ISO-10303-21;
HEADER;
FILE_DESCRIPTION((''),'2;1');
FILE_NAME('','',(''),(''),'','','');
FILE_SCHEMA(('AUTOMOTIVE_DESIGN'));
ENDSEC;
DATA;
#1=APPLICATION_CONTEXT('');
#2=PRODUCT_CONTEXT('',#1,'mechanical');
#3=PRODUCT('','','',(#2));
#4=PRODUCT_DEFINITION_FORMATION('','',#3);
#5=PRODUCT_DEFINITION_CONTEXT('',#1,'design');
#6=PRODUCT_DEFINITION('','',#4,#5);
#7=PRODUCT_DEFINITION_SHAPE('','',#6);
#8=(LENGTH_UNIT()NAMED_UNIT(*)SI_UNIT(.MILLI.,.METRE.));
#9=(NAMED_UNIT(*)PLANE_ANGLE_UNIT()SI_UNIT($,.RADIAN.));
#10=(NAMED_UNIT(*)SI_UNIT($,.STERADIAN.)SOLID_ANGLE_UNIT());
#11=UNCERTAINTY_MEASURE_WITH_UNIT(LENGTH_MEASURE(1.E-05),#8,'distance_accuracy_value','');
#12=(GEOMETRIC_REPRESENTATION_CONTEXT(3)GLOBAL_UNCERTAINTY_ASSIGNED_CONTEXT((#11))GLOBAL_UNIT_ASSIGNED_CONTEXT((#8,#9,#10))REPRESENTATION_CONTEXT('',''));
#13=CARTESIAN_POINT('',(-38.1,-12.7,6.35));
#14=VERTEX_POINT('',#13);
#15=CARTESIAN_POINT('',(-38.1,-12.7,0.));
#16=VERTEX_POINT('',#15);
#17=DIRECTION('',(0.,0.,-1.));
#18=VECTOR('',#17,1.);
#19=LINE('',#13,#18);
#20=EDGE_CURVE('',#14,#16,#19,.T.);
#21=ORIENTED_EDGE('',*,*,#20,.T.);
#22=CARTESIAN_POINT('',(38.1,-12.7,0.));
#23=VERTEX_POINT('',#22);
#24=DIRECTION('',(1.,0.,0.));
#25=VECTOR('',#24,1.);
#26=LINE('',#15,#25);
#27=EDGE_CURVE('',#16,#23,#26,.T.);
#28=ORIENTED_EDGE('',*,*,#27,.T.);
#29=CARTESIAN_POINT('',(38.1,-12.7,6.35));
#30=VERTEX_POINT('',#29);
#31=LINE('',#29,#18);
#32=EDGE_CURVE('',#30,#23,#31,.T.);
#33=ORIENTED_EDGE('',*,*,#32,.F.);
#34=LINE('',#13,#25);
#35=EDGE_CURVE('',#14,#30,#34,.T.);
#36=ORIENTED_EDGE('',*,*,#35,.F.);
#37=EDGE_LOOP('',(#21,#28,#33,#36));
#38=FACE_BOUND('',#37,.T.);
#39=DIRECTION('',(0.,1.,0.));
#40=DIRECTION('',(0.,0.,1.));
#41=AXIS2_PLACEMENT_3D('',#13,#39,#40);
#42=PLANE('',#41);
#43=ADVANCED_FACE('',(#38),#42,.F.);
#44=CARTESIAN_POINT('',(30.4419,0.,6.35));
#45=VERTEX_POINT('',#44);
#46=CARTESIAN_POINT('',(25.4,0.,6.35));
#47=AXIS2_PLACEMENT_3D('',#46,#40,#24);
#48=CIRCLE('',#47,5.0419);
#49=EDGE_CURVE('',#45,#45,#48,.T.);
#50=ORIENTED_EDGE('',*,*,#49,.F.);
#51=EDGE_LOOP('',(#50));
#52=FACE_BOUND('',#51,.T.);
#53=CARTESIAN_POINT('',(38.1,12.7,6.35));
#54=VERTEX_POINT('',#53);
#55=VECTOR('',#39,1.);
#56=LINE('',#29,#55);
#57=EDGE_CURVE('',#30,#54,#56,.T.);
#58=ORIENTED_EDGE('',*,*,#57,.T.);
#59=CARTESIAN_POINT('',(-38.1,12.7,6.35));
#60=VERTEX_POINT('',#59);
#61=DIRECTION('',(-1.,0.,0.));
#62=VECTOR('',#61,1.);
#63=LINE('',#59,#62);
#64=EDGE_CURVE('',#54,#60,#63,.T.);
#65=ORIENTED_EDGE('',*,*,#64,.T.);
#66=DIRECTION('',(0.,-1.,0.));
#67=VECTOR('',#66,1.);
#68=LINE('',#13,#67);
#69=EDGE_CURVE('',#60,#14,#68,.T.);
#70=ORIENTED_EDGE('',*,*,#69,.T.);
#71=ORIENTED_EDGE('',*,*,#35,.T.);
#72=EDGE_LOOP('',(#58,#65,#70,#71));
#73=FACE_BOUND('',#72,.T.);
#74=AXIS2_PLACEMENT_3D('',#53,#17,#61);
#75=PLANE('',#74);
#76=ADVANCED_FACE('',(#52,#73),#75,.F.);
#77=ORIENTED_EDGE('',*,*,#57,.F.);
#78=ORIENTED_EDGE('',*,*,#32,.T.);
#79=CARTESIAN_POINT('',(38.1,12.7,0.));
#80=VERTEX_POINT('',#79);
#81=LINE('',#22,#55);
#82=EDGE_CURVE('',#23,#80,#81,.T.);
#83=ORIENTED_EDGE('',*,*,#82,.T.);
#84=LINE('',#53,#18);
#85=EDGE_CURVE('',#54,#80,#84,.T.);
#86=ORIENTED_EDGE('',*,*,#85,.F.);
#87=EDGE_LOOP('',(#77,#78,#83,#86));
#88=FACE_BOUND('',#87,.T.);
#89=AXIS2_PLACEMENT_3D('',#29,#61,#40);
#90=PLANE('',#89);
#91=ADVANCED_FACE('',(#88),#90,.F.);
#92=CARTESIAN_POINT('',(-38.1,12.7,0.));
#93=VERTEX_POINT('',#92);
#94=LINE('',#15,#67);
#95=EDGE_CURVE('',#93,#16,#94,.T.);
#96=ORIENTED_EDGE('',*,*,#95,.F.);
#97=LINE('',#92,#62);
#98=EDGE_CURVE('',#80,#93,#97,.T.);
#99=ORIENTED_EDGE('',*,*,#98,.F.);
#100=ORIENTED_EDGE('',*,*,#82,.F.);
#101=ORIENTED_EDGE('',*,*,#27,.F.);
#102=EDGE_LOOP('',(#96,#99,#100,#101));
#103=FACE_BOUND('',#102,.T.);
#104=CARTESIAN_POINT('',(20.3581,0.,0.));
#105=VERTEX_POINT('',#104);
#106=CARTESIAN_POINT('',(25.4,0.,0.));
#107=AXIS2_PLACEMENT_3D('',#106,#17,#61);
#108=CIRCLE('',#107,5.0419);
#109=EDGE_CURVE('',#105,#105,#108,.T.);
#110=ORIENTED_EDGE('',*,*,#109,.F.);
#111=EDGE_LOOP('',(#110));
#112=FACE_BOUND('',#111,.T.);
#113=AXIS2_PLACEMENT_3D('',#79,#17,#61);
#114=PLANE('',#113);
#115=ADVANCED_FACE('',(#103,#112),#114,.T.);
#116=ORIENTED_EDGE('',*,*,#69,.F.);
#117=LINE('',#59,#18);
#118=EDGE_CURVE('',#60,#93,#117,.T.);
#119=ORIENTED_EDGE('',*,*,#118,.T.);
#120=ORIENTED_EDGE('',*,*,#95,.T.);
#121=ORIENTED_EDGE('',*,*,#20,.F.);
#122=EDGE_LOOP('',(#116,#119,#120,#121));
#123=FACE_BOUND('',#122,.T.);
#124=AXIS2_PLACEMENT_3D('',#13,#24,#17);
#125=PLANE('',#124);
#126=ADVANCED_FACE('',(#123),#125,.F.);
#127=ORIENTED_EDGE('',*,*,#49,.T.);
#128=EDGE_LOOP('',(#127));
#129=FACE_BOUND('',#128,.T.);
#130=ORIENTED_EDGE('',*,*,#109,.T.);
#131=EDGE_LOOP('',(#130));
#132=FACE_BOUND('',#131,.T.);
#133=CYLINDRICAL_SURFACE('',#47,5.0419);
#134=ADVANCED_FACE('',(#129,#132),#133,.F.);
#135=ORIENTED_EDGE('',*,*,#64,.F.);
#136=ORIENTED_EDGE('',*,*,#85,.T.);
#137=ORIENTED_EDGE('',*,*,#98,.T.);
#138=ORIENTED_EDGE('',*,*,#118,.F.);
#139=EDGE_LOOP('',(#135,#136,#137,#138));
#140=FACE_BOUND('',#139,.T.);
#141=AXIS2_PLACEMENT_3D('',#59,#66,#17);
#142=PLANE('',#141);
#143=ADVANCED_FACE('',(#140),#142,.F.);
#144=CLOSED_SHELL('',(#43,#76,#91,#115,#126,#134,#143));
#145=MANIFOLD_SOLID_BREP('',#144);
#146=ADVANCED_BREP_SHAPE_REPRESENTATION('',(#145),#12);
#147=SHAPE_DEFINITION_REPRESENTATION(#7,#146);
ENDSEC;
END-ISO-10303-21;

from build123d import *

# Parameters (mm, degrees)
SKETCH1_W                   = 76.2
SKETCH1_H                   = 25.4
EXTRUDE1_DEPTH              = 6.35
F_3_8_CLEARANCE_HOLE1_D     = 10.0838
F_3_8_CLEARANCE_HOLE1_DEPTH = 16.002
F_3_8_CLEARANCE_HOLE1_TIP   = 3.029479155


with BuildPart() as part:
    # Sketch1 → Extrude1 (new body)
    with BuildSketch(Plane.XY):
        Rectangle(SKETCH1_W, SKETCH1_H)
    extrude(amount=EXTRUDE1_DEPTH)

    # 3/8 Clearance Hole1
    with Locations(Plane(origin=(25.4, 0, 6.35), x_dir=(1, 0, 0), z_dir=(0, 0, 1))):
        with Locations((0, 0)):
            Hole(F_3_8_CLEARANCE_HOLE1_D / 2, depth=F_3_8_CLEARANCE_HOLE1_DEPTH)
            with Locations((0, 0, -(F_3_8_CLEARANCE_HOLE1_DEPTH + F_3_8_CLEARANCE_HOLE1_TIP / 2))):  # 118° drill point
                Cone(0, F_3_8_CLEARANCE_HOLE1_D / 2, F_3_8_CLEARANCE_HOLE1_TIP, mode=Mode.SUBTRACT)


solid = part.part
